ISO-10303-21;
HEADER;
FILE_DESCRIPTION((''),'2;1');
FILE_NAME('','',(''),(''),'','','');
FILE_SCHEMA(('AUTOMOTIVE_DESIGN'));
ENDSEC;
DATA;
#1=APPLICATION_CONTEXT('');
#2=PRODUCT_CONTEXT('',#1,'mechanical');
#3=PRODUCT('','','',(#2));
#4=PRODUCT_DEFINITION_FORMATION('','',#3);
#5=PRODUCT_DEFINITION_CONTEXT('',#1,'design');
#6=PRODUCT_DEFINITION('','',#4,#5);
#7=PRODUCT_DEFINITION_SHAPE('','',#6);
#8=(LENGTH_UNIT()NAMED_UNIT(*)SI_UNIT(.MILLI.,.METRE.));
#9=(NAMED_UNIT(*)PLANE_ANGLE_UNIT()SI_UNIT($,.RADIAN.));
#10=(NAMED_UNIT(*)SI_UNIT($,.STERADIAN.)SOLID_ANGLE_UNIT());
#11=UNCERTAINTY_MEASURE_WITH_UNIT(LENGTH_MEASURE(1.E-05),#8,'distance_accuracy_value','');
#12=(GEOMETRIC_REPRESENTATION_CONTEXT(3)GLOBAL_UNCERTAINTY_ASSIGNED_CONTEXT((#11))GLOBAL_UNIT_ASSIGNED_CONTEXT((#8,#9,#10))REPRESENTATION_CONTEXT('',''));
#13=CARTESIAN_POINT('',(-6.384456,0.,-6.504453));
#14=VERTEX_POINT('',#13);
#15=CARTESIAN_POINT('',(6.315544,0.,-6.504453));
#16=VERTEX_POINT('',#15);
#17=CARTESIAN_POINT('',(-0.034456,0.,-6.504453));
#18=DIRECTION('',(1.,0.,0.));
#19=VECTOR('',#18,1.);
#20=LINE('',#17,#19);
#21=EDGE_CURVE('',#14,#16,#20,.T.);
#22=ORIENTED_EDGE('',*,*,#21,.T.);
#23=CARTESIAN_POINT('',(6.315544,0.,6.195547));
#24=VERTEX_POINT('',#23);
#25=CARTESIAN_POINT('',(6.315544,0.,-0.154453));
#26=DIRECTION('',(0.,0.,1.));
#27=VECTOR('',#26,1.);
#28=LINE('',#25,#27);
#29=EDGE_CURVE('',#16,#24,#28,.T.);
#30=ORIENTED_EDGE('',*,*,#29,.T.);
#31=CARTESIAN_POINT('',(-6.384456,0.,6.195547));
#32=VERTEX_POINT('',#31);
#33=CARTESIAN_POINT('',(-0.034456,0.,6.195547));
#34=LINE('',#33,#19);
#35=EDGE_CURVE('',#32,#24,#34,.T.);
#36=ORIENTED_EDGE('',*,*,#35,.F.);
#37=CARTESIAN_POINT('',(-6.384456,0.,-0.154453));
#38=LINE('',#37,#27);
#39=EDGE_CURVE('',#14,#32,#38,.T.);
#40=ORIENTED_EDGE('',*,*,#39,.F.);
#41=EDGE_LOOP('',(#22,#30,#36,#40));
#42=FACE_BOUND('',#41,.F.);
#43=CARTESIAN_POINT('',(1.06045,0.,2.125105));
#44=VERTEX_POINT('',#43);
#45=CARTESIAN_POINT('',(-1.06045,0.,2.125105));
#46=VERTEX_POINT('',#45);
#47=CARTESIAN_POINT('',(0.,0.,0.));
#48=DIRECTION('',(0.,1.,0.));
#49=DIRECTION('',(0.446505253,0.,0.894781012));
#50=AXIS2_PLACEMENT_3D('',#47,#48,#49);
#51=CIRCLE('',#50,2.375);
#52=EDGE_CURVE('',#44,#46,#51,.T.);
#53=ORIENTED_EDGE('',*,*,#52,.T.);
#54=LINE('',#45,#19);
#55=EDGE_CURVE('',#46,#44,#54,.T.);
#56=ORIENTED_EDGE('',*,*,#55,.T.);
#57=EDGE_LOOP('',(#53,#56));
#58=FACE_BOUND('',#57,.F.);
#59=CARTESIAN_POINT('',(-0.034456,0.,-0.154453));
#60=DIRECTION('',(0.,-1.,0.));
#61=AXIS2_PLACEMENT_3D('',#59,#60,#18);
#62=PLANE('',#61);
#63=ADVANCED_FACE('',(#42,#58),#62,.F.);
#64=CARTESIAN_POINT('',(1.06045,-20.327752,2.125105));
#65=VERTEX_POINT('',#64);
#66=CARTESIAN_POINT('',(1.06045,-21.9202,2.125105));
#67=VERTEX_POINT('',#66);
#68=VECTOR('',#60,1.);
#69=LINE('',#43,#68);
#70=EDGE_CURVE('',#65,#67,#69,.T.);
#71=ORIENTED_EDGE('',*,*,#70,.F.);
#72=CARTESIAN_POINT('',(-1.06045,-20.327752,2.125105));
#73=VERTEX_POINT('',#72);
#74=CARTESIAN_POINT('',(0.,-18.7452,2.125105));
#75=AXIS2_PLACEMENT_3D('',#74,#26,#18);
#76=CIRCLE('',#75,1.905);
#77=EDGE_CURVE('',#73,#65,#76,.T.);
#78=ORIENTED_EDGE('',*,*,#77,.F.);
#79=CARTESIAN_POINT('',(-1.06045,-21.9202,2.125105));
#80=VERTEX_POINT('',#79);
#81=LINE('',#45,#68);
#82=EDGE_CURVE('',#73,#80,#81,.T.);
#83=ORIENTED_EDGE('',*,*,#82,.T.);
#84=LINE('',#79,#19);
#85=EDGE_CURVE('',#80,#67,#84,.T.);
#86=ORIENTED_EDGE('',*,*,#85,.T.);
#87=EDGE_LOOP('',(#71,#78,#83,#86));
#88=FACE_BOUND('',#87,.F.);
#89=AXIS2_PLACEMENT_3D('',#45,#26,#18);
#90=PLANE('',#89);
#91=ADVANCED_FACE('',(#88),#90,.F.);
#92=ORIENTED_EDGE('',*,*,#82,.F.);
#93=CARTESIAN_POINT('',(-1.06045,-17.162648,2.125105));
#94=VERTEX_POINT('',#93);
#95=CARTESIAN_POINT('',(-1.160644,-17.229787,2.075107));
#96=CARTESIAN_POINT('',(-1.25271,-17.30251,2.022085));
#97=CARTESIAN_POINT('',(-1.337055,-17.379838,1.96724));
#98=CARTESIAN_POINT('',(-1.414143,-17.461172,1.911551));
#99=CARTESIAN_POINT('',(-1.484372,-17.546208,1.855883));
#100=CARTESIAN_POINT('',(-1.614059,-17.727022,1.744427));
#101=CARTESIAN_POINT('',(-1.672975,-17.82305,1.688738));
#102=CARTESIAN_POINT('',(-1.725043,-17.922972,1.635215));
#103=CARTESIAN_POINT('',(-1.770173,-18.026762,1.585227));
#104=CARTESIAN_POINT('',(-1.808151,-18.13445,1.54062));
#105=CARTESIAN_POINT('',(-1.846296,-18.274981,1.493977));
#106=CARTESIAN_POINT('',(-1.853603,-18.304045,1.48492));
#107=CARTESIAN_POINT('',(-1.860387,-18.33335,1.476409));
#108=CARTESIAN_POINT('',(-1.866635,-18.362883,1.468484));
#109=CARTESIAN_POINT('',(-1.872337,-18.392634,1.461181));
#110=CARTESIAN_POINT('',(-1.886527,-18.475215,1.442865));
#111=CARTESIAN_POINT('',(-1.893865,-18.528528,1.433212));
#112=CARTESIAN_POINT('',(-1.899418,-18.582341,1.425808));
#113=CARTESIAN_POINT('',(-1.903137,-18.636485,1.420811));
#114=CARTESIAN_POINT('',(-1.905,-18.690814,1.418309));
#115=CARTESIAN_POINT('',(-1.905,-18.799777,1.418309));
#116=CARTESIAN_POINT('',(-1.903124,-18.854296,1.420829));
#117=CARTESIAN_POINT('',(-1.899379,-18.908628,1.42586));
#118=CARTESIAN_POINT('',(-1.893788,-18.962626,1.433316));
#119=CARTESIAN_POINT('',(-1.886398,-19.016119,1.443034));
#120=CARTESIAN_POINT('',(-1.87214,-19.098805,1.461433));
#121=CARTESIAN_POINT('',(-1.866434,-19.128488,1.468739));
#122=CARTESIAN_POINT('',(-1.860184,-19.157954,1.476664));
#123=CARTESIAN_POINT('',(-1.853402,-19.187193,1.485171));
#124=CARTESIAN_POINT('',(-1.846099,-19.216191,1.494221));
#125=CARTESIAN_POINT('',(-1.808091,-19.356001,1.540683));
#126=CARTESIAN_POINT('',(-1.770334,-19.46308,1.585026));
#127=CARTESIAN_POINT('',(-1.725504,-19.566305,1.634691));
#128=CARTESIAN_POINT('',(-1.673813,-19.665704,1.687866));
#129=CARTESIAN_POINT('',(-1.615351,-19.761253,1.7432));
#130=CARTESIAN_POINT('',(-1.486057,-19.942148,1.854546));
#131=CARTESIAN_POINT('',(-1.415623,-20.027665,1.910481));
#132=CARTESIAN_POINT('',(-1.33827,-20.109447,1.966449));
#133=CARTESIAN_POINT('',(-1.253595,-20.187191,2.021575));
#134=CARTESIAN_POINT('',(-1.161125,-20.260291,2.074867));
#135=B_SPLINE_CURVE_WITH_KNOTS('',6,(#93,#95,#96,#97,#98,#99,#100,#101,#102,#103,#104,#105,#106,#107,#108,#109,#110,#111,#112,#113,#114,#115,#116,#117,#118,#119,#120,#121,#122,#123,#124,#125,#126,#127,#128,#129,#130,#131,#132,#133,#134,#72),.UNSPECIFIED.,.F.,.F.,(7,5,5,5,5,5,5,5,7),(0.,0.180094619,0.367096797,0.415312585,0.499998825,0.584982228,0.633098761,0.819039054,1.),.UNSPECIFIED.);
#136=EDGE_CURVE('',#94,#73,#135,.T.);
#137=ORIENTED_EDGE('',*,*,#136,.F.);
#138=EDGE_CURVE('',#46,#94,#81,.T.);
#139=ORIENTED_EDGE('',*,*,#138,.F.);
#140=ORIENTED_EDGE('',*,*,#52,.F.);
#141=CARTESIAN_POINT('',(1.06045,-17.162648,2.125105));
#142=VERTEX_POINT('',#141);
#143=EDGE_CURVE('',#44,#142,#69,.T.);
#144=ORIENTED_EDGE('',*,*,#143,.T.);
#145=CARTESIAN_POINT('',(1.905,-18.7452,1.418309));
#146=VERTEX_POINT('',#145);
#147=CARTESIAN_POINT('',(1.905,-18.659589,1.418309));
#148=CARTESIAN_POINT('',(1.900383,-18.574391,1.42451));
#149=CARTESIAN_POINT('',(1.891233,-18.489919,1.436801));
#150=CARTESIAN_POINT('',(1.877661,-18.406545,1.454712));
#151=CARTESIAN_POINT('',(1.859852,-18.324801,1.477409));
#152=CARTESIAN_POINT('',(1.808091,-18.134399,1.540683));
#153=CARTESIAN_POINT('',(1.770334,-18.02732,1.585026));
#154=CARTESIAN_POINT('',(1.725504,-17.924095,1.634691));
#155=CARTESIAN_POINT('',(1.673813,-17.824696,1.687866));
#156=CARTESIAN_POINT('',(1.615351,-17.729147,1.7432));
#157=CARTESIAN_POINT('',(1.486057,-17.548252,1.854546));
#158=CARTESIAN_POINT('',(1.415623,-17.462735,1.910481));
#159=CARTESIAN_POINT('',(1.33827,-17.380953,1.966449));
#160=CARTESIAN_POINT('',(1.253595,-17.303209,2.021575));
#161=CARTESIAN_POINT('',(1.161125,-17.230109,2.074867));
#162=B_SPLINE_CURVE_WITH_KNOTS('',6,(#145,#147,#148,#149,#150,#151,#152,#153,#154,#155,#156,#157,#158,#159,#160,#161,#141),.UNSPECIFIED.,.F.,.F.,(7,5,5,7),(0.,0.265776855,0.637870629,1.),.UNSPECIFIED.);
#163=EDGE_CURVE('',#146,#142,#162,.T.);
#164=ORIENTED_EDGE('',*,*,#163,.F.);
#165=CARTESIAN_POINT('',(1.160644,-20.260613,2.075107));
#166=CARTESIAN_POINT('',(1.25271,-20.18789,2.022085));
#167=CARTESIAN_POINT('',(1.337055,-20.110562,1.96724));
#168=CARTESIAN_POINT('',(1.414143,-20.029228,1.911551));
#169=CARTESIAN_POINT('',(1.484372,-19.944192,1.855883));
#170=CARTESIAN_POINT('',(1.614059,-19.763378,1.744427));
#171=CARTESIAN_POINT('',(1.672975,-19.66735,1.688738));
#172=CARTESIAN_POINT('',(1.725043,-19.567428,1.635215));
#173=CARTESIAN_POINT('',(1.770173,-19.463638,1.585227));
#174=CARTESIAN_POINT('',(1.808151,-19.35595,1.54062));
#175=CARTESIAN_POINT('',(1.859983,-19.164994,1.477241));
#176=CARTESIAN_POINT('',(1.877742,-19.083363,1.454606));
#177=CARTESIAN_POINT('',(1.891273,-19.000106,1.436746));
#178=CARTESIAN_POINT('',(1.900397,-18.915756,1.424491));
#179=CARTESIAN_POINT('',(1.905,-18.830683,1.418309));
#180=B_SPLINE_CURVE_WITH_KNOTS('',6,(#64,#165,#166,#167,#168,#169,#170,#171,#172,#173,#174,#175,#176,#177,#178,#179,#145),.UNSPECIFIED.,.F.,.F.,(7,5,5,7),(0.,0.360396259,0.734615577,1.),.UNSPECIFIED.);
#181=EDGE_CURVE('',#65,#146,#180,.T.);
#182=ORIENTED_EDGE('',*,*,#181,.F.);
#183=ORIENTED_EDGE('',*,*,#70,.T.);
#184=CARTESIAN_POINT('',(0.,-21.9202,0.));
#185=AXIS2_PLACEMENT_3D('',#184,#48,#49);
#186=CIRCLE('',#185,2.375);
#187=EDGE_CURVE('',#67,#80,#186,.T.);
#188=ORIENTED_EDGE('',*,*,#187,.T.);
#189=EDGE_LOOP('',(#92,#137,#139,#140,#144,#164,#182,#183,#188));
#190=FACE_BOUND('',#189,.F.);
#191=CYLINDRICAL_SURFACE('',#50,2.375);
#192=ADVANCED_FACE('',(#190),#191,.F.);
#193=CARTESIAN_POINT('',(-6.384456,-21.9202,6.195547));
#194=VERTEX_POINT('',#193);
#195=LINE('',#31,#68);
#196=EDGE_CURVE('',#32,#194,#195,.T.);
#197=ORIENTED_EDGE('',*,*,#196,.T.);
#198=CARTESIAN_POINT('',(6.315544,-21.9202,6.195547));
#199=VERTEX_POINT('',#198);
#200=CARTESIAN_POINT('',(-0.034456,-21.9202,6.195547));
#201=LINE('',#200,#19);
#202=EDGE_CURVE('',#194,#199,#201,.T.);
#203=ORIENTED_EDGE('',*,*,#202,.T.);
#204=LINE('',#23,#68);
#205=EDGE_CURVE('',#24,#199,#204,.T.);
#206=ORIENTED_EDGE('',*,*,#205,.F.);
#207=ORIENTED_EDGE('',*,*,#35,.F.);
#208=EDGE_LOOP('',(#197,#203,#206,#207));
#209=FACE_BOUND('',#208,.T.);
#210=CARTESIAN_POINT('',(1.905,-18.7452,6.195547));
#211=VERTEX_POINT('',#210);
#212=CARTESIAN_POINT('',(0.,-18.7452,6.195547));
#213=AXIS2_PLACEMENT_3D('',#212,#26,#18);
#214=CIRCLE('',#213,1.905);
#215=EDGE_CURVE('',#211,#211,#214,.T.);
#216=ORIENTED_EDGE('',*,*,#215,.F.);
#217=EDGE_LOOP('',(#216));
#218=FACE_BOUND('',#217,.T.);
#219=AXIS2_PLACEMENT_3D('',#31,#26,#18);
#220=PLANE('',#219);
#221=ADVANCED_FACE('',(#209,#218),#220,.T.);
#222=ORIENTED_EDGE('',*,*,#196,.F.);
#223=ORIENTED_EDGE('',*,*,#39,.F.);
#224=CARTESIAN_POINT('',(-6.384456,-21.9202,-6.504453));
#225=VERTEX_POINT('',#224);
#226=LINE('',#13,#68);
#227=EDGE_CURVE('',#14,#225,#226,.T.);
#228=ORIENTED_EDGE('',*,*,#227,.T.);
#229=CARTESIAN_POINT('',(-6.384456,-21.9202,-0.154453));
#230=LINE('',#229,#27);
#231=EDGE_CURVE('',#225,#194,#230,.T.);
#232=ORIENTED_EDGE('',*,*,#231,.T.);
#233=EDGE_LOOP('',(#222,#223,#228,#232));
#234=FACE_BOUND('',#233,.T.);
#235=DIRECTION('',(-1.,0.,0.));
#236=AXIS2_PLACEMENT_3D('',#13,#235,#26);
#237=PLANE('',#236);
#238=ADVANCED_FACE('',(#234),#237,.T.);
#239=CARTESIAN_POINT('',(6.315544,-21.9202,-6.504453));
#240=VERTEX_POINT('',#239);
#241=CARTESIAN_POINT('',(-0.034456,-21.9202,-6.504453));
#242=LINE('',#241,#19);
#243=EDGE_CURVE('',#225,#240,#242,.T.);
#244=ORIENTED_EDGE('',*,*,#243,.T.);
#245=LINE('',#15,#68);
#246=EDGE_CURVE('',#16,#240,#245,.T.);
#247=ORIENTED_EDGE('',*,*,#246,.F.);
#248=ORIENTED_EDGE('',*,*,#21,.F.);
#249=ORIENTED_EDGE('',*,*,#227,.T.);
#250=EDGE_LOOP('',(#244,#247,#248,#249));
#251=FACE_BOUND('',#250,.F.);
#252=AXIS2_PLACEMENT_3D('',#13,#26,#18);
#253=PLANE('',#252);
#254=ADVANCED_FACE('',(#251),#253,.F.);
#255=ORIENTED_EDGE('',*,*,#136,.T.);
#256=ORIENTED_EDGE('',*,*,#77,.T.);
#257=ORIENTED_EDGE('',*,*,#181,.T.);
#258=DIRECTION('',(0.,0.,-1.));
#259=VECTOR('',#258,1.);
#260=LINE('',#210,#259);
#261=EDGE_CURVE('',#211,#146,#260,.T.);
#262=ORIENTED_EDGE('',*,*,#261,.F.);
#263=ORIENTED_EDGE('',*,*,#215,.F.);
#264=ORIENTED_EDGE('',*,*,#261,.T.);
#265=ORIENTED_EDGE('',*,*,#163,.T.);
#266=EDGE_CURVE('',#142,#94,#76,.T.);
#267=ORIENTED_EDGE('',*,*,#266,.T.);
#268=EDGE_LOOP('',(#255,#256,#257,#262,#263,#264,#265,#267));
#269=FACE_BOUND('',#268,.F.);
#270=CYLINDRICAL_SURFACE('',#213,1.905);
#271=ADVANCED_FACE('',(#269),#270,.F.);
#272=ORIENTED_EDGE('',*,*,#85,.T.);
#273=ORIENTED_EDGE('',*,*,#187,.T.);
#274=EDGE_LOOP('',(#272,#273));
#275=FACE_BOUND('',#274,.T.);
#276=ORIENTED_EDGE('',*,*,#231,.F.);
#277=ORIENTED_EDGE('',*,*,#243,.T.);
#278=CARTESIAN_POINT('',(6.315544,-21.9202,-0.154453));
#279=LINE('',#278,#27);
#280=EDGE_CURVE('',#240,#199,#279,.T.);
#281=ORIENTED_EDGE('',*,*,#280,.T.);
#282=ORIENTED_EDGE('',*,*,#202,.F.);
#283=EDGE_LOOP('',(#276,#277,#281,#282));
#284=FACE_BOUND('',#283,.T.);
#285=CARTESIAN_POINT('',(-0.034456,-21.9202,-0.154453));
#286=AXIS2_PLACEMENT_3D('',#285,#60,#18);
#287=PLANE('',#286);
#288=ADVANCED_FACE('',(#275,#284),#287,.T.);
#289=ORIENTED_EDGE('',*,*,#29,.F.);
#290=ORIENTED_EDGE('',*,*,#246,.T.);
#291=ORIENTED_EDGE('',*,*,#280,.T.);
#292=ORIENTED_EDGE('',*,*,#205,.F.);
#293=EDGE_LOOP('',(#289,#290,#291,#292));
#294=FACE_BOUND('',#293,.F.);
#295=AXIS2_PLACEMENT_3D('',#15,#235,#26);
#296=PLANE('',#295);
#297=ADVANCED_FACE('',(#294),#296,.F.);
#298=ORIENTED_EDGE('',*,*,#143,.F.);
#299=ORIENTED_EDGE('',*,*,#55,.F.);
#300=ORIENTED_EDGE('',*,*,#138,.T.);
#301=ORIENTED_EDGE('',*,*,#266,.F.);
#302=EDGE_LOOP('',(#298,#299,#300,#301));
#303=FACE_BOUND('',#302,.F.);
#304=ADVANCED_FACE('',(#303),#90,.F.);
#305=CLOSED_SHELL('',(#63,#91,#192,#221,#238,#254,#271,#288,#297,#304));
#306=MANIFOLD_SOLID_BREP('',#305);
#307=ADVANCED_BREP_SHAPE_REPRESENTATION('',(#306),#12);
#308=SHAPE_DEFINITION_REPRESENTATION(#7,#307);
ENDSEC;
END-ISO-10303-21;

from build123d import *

# Parameters (mm, degrees)
F0_W     = 12.7
F0_H     = 12.7
F1_DEPTH = 21.9202
F2_R     = 1.905
F3_DEPTH = 6.35


with BuildPart() as f1:
    # F0 (on Front) → F1 (new body)
    with BuildSketch(Plane.XZ):
        with Locations((-0.034456, -0.154453)):
            Rectangle(F0_W, F0_H)
        with BuildLine():
            ThreePointArc((1.06045, 2.125105), (0, -2.375), (-1.06045, 2.125105))
            Line((-1.06045, 2.125105), (1.06045, 2.125105))
        make_face(mode=Mode.SUBTRACT)
    extrude(amount=F1_DEPTH)

    # F2 (on face) → F3 (cut)
    with BuildSketch(Plane.XY.offset(6.195547)):
        with Locations((0, -18.7452)):
            Circle(F2_R)
    extrude(amount=-F3_DEPTH, mode=Mode.SUBTRACT)


solid = f1.part
